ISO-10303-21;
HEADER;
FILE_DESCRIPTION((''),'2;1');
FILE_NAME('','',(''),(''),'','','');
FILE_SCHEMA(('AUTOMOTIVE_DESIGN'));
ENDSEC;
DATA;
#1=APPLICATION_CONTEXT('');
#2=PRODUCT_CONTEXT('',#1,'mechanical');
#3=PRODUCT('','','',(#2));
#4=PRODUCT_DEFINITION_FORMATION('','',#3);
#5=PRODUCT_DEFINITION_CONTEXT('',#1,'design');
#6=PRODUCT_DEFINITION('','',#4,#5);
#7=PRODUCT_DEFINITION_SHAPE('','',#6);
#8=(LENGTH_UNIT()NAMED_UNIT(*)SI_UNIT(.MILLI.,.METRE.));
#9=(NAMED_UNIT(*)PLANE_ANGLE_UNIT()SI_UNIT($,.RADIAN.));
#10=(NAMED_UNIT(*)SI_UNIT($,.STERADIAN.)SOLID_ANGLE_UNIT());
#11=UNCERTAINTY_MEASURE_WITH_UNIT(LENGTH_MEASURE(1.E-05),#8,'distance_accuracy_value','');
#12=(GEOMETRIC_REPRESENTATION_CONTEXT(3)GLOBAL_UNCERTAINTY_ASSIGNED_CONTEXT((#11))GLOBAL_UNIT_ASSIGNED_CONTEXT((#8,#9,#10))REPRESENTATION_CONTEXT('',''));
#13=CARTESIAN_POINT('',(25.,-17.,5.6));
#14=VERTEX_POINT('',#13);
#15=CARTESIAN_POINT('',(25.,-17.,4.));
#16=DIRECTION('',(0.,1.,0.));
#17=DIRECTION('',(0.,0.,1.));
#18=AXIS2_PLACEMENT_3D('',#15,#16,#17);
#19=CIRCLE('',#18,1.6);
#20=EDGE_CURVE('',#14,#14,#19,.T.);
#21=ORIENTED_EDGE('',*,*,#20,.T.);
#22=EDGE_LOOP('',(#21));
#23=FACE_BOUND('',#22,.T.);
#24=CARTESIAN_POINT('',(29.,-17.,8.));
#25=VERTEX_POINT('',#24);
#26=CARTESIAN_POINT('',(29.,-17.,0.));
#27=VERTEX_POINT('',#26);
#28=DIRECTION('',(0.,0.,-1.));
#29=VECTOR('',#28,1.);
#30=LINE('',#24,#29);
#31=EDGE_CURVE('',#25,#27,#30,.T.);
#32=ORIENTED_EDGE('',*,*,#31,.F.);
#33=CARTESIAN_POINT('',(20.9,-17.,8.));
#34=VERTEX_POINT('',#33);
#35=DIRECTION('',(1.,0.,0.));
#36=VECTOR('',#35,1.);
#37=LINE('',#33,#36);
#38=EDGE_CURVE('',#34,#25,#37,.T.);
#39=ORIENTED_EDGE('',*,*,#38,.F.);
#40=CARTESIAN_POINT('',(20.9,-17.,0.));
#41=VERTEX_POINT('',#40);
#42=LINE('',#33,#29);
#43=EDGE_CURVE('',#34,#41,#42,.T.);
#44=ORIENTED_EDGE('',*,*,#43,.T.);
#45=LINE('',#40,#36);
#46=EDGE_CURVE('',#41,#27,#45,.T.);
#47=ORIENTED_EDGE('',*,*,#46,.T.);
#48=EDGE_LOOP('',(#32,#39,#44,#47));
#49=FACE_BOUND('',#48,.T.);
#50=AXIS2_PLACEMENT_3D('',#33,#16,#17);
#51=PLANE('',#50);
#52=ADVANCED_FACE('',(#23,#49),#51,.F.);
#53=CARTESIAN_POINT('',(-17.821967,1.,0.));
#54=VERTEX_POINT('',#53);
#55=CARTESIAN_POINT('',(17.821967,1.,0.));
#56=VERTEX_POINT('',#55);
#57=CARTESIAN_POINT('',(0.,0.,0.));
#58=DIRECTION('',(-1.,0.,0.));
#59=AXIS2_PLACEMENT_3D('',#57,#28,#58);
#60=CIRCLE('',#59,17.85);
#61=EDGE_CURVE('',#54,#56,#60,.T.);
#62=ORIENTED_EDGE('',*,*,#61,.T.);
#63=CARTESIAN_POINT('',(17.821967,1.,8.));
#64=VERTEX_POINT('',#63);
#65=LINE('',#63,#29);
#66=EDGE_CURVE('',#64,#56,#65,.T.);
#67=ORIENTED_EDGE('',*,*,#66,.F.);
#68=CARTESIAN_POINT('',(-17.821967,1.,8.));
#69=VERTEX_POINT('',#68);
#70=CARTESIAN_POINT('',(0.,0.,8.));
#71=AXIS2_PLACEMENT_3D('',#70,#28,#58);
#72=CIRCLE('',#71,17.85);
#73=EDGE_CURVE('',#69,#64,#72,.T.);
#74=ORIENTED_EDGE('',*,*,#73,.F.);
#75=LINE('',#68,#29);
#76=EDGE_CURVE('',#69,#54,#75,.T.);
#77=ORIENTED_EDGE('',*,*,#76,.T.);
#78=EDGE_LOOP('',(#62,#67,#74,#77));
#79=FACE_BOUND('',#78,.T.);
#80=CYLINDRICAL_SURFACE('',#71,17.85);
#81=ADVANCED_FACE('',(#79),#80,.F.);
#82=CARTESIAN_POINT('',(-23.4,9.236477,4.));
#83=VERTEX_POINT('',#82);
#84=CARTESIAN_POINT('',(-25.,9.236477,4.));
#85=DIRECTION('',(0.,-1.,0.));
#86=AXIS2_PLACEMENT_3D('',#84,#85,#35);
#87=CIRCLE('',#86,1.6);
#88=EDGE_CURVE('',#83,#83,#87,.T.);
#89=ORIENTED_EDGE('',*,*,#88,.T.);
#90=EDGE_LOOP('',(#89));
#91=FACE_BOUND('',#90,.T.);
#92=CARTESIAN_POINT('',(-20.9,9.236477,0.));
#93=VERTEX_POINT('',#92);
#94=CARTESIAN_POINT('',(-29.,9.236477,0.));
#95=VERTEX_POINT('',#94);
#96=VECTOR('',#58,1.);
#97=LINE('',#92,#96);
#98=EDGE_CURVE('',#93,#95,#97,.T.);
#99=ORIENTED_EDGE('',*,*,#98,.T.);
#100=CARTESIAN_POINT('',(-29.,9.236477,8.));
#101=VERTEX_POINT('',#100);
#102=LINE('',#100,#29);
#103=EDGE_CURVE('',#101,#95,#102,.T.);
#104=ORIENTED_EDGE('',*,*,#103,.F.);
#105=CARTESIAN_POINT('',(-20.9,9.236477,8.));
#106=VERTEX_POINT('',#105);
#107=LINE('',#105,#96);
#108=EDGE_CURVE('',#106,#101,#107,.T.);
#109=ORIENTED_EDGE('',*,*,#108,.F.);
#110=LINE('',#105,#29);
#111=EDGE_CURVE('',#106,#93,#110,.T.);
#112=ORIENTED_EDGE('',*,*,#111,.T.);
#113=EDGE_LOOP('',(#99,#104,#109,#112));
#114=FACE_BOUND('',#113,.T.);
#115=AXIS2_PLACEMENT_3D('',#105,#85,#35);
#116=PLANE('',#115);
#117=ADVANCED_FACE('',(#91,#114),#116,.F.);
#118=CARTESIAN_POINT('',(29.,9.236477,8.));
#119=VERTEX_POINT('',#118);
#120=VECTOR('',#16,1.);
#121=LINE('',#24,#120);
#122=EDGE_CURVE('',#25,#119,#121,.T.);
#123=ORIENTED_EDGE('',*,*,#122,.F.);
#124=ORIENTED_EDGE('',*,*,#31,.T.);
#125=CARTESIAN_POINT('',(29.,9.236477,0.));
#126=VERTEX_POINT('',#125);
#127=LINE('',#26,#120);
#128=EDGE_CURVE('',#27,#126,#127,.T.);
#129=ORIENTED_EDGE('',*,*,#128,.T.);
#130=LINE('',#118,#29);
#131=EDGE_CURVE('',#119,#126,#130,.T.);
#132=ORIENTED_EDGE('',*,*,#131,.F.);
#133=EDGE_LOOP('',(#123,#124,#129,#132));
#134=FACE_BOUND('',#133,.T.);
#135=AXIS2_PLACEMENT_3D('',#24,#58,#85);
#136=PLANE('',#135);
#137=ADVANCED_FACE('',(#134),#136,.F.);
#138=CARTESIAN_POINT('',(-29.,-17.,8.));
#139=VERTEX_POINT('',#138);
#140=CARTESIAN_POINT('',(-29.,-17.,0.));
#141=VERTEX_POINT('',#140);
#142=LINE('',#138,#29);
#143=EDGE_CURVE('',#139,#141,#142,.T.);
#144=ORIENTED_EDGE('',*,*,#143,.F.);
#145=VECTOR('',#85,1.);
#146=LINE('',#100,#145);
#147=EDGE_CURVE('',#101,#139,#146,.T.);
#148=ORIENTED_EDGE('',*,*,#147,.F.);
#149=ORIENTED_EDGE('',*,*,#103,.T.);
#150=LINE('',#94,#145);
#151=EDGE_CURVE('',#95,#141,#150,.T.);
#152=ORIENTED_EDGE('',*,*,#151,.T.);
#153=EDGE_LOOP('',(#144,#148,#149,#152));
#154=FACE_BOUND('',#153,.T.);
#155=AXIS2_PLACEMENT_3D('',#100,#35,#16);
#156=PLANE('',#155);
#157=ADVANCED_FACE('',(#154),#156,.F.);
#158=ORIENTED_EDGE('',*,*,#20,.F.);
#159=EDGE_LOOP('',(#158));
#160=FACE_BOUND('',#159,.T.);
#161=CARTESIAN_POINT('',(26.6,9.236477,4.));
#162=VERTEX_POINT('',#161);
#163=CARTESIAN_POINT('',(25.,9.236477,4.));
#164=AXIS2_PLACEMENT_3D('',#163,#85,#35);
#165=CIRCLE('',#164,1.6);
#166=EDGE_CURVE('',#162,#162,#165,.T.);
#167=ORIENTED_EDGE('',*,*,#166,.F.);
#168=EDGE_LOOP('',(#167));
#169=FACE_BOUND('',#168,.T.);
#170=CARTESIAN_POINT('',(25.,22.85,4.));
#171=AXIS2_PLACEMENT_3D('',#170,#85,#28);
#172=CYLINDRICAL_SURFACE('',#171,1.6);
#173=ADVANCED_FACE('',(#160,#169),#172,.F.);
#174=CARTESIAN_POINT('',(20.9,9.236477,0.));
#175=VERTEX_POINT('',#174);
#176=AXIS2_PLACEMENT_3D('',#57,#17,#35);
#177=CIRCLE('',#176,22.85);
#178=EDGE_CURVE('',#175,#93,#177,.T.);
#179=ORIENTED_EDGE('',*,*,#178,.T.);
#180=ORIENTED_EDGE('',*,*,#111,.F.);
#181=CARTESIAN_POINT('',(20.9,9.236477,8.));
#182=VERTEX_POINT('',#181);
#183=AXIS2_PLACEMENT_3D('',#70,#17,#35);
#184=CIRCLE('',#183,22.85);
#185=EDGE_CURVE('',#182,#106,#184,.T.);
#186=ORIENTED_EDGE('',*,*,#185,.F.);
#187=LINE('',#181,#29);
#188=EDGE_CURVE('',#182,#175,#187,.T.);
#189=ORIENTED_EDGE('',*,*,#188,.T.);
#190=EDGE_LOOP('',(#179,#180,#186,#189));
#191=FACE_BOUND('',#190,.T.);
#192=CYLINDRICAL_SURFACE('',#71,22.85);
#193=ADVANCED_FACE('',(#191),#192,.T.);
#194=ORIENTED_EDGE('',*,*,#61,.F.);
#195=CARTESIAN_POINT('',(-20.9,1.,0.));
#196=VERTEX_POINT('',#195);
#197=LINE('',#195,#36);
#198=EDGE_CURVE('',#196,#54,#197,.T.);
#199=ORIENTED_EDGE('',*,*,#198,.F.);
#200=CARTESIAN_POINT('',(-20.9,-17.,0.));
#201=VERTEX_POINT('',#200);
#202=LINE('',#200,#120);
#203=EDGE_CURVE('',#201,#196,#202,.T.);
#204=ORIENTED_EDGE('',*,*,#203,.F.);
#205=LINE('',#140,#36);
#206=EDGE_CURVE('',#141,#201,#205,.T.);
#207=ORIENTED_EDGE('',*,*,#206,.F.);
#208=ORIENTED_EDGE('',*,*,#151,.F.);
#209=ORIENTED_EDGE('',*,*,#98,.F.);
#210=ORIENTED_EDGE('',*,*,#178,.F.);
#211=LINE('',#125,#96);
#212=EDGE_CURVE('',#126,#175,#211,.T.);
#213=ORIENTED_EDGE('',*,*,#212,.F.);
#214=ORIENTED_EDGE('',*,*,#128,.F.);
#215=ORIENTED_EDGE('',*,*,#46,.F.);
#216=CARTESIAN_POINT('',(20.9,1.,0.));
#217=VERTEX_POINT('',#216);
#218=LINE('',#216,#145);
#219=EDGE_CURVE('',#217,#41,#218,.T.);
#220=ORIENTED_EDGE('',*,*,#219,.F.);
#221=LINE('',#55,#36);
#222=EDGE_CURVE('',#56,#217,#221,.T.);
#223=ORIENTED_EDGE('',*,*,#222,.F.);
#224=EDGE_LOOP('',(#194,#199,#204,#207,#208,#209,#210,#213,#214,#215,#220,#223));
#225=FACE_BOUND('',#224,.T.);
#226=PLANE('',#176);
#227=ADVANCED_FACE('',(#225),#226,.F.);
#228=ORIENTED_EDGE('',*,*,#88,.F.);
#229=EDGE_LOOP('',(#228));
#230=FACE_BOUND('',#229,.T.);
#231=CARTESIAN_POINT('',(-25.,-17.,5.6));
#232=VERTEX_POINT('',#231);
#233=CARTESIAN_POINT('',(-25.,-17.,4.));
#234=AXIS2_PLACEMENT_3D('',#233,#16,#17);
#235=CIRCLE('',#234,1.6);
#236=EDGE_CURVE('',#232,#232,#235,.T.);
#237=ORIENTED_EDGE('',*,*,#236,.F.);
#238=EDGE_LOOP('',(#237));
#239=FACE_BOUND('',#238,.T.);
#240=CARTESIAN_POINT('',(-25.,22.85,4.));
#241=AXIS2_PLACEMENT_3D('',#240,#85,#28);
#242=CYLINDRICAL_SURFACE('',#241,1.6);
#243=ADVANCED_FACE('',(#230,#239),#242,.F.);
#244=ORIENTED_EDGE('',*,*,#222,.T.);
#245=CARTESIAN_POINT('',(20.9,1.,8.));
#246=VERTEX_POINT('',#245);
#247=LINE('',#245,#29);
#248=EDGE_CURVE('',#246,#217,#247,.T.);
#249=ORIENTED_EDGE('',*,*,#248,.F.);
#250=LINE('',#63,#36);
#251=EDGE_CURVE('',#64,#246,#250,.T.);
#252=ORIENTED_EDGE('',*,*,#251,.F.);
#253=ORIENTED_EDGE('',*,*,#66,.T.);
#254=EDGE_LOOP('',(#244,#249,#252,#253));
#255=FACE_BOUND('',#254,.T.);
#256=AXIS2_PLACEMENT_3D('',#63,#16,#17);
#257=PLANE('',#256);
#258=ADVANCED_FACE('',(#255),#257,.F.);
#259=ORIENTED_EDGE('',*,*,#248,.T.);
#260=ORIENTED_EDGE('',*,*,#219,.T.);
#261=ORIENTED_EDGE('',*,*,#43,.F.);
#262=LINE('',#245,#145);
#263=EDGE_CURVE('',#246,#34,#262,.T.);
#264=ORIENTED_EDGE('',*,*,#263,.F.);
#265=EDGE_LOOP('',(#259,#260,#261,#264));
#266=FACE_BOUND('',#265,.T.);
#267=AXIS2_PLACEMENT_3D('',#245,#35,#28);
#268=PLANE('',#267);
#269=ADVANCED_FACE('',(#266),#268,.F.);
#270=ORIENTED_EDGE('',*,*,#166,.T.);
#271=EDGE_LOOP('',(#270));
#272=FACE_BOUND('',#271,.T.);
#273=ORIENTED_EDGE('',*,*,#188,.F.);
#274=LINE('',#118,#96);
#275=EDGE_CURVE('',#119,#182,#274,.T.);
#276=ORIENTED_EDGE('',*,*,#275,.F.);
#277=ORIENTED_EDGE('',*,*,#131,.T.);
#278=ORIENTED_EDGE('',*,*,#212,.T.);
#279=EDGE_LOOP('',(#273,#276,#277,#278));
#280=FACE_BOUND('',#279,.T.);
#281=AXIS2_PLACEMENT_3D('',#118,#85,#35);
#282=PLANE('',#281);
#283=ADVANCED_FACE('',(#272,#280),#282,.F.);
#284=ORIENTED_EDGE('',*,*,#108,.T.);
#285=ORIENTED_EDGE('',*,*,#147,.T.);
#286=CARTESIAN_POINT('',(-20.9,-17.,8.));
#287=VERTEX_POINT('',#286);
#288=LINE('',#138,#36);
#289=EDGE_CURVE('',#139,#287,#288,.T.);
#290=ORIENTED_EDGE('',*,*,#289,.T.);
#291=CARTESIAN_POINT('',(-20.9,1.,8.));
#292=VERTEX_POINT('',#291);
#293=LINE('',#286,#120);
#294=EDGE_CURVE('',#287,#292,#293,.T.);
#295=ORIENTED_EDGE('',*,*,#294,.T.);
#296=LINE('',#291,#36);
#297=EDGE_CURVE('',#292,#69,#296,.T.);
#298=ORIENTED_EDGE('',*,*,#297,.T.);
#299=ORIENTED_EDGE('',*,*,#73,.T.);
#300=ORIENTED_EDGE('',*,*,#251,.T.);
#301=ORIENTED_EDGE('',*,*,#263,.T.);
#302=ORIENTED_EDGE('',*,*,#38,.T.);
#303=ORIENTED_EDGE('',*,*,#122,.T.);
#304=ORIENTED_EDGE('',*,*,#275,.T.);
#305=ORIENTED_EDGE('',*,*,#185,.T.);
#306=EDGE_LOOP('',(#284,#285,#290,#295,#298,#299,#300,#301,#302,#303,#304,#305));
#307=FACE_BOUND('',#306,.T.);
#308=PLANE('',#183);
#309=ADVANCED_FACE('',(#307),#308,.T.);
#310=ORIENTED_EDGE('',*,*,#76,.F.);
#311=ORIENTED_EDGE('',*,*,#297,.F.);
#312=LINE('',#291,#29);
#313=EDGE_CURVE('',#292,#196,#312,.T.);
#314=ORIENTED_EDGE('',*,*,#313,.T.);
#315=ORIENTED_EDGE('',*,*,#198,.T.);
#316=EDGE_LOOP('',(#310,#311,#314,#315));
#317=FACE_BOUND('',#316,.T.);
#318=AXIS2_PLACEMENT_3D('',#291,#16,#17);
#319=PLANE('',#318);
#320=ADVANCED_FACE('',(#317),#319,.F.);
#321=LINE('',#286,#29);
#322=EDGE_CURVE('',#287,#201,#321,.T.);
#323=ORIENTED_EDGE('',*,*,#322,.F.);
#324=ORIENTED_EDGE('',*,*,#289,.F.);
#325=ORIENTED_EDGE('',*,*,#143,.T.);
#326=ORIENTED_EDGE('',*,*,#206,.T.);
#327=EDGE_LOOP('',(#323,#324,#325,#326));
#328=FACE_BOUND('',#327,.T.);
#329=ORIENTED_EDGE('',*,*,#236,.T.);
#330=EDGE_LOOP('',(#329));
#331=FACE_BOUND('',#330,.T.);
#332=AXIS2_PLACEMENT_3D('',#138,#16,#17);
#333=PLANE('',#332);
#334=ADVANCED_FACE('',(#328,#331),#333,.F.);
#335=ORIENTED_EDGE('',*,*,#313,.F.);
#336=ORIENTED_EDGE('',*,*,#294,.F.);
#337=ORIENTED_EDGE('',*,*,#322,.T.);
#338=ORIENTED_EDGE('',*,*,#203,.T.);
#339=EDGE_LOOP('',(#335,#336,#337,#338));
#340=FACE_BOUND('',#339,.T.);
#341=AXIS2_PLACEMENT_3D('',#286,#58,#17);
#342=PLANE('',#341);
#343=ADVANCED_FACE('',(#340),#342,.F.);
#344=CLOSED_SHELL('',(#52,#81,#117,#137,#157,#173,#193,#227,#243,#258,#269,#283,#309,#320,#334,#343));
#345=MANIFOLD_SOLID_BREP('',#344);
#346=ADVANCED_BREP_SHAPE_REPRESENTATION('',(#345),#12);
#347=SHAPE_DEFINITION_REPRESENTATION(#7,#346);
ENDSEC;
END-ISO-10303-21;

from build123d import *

# Parameters (mm, degrees)
EXTRUDE_1_DEPTH          = 8
CUT_EXTRUDE_1_DEPTH      = 50.930176246
CUT_EXTRUDE_1_DEPTH_BACK = 50.930176246
SKETCH_2_R               = 1.6


with BuildPart() as part:
    # ｽｹｯﾁ1 → ﾎﾞｽ - 押し出し1 (new body)
    with BuildSketch(Plane.XY):
        with BuildLine():
            Line((-20.9, 9.236476601), (-29, 9.236476601))
            Line((-29, 9.236476601), (-29, -17))
            Line((-29, -17), (-20.9, -17))
            Line((-20.9, -17), (-20.9, 1))
            Line((-20.9, 1), (-17.821966783, 1))
            ThreePointArc((-17.821966783, 1), (0, 17.85), (17.821966783, 1))
            Line((17.821966783, 1), (20.9, 1))
            Line((20.9, 1), (20.9, -17))
            Line((20.9, -17), (29, -17))
            Line((29, -17), (29, 9.236476601))
            Line((29, 9.236476601), (20.9, 9.236476601))
            ThreePointArc((20.9, 9.236476601), (0, 22.85), (-20.9, 9.236476601))
        make_face()
    extrude(amount=EXTRUDE_1_DEPTH)

    # ｽｹｯﾁ2 → ｶｯﾄ - 押し出し1 (cut, two sides: drawn at the far end of the back side and taken through both)
    with BuildSketch(Plane.XZ.offset(17).offset(-CUT_EXTRUDE_1_DEPTH_BACK)):
        with Locations((-25, 4)):
            Circle(SKETCH_2_R)
        with Locations((25, 4)):
            Circle(SKETCH_2_R)
    extrude(amount=CUT_EXTRUDE_1_DEPTH + CUT_EXTRUDE_1_DEPTH_BACK, mode=Mode.SUBTRACT)


solid = part.part
